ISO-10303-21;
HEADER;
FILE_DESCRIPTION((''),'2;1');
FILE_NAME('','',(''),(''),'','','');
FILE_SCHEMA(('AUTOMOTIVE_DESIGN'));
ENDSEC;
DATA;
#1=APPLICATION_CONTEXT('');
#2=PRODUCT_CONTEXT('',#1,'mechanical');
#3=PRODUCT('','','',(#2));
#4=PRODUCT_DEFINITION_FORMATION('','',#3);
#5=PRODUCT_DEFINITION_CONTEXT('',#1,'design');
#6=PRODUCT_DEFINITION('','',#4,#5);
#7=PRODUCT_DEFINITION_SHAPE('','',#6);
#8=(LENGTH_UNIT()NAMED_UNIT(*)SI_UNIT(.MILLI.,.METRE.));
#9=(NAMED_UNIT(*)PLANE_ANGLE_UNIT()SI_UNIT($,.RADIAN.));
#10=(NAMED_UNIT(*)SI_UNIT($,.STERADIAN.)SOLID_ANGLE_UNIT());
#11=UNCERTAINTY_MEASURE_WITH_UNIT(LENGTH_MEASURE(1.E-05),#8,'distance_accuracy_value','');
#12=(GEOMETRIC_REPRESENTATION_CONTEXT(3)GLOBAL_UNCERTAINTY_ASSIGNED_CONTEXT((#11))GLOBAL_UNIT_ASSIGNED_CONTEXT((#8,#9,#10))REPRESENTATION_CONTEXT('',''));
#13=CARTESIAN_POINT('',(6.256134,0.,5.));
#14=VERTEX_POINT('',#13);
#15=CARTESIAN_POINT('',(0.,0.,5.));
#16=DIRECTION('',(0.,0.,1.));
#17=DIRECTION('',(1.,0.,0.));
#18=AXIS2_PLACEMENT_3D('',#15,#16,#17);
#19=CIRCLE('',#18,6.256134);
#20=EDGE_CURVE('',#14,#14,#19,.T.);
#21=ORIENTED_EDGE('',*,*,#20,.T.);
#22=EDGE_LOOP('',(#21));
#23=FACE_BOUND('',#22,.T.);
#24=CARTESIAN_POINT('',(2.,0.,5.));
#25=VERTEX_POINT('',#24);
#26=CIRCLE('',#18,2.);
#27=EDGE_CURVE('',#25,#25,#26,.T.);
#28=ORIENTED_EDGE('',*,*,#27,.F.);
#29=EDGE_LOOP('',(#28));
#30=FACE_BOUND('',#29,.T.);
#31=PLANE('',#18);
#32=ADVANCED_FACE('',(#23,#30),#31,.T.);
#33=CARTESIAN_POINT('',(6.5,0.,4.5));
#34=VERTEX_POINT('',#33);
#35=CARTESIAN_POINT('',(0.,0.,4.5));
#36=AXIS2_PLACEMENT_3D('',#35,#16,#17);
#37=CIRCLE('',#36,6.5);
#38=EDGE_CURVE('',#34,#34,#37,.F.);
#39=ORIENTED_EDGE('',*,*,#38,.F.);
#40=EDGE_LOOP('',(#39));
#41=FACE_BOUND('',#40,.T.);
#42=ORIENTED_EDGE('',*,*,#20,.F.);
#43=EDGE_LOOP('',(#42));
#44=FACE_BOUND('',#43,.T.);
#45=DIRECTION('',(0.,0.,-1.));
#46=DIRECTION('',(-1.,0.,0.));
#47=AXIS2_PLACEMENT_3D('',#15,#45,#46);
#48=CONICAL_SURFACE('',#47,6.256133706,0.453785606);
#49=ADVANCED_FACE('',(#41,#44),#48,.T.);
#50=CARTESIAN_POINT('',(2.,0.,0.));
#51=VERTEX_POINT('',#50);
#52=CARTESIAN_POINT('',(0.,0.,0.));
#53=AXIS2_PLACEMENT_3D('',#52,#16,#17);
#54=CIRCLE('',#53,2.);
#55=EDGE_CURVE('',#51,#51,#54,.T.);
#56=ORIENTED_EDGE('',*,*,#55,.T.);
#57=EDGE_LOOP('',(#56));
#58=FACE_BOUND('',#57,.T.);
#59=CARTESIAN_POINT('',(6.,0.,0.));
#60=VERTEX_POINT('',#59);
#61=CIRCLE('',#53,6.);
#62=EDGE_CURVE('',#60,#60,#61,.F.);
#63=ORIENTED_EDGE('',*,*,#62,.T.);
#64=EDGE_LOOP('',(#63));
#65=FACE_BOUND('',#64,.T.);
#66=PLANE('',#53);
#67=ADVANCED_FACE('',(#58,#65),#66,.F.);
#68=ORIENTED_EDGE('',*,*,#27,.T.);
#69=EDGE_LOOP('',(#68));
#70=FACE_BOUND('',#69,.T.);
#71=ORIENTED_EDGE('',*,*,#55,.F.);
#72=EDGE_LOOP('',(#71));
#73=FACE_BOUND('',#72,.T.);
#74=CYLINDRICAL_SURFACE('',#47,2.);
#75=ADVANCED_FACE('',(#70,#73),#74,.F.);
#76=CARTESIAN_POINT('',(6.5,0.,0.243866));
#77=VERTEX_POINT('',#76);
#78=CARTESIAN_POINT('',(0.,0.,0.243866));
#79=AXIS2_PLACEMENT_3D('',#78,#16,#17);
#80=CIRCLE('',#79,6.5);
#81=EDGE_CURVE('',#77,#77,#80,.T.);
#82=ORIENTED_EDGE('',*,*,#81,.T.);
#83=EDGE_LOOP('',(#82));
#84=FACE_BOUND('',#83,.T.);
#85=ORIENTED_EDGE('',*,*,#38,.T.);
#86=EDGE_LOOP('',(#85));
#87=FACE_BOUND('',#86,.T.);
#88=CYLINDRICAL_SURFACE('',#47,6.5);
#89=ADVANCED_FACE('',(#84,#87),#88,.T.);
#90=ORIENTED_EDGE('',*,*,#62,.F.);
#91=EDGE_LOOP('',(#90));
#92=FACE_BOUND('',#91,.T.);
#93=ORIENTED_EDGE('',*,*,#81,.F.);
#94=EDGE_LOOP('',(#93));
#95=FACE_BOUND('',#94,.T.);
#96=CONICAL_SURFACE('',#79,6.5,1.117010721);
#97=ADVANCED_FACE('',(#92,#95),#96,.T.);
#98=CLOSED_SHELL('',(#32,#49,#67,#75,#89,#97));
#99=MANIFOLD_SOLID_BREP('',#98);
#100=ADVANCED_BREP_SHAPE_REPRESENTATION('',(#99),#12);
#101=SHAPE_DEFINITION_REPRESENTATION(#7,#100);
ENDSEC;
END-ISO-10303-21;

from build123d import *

# Parameters (mm, degrees)
SKETCH1_R             = 6.5
SKETCH1_R_2           = 2
BOSS_EXTRUDE1_DEPTH   = 5
CHAMFER1_SIZE         = 0.5
CHAMFER1_SIZE2        = 0.243866294
CHAMFER1_PART_2_SIZE  = 0.5
CHAMFER1_PART_2_SIZE2 = 0.243866294


with BuildPart() as part:
    # Sketch1 → Boss-Extrude1 (new body)
    with BuildSketch(Plane.XY):
        Circle(SKETCH1_R)
        Circle(SKETCH1_R_2, mode=Mode.SUBTRACT)
    extrude(amount=BOSS_EXTRUDE1_DEPTH)

    # Chamfer1
    chamfer1_edges = [part.edges().sort_by_distance(p)[0] for p in [
        (-6.5, 0, 0),
    ]]
    chamfer1_side = [part.faces().sort_by_distance(p)[0] for p in [
        (-6.316152237, 0, 0),
    ]]
    chamfer(chamfer1_edges, length=CHAMFER1_SIZE, length2=CHAMFER1_SIZE2, reference=chamfer1_side[0])

    # Chamfer1 part 2
    chamfer1_part_2_edges = [part.edges().sort_by_distance(p)[0] for p in [
        (-6.5, 0, 5),
    ]]
    chamfer1_part_2_side = [part.faces().sort_by_distance(p)[0] for p in [
        (-6.5, 0, 2.5),
    ]]
    chamfer(chamfer1_part_2_edges, length=CHAMFER1_PART_2_SIZE, length2=CHAMFER1_PART_2_SIZE2, reference=chamfer1_part_2_side[0])


solid = part.part
